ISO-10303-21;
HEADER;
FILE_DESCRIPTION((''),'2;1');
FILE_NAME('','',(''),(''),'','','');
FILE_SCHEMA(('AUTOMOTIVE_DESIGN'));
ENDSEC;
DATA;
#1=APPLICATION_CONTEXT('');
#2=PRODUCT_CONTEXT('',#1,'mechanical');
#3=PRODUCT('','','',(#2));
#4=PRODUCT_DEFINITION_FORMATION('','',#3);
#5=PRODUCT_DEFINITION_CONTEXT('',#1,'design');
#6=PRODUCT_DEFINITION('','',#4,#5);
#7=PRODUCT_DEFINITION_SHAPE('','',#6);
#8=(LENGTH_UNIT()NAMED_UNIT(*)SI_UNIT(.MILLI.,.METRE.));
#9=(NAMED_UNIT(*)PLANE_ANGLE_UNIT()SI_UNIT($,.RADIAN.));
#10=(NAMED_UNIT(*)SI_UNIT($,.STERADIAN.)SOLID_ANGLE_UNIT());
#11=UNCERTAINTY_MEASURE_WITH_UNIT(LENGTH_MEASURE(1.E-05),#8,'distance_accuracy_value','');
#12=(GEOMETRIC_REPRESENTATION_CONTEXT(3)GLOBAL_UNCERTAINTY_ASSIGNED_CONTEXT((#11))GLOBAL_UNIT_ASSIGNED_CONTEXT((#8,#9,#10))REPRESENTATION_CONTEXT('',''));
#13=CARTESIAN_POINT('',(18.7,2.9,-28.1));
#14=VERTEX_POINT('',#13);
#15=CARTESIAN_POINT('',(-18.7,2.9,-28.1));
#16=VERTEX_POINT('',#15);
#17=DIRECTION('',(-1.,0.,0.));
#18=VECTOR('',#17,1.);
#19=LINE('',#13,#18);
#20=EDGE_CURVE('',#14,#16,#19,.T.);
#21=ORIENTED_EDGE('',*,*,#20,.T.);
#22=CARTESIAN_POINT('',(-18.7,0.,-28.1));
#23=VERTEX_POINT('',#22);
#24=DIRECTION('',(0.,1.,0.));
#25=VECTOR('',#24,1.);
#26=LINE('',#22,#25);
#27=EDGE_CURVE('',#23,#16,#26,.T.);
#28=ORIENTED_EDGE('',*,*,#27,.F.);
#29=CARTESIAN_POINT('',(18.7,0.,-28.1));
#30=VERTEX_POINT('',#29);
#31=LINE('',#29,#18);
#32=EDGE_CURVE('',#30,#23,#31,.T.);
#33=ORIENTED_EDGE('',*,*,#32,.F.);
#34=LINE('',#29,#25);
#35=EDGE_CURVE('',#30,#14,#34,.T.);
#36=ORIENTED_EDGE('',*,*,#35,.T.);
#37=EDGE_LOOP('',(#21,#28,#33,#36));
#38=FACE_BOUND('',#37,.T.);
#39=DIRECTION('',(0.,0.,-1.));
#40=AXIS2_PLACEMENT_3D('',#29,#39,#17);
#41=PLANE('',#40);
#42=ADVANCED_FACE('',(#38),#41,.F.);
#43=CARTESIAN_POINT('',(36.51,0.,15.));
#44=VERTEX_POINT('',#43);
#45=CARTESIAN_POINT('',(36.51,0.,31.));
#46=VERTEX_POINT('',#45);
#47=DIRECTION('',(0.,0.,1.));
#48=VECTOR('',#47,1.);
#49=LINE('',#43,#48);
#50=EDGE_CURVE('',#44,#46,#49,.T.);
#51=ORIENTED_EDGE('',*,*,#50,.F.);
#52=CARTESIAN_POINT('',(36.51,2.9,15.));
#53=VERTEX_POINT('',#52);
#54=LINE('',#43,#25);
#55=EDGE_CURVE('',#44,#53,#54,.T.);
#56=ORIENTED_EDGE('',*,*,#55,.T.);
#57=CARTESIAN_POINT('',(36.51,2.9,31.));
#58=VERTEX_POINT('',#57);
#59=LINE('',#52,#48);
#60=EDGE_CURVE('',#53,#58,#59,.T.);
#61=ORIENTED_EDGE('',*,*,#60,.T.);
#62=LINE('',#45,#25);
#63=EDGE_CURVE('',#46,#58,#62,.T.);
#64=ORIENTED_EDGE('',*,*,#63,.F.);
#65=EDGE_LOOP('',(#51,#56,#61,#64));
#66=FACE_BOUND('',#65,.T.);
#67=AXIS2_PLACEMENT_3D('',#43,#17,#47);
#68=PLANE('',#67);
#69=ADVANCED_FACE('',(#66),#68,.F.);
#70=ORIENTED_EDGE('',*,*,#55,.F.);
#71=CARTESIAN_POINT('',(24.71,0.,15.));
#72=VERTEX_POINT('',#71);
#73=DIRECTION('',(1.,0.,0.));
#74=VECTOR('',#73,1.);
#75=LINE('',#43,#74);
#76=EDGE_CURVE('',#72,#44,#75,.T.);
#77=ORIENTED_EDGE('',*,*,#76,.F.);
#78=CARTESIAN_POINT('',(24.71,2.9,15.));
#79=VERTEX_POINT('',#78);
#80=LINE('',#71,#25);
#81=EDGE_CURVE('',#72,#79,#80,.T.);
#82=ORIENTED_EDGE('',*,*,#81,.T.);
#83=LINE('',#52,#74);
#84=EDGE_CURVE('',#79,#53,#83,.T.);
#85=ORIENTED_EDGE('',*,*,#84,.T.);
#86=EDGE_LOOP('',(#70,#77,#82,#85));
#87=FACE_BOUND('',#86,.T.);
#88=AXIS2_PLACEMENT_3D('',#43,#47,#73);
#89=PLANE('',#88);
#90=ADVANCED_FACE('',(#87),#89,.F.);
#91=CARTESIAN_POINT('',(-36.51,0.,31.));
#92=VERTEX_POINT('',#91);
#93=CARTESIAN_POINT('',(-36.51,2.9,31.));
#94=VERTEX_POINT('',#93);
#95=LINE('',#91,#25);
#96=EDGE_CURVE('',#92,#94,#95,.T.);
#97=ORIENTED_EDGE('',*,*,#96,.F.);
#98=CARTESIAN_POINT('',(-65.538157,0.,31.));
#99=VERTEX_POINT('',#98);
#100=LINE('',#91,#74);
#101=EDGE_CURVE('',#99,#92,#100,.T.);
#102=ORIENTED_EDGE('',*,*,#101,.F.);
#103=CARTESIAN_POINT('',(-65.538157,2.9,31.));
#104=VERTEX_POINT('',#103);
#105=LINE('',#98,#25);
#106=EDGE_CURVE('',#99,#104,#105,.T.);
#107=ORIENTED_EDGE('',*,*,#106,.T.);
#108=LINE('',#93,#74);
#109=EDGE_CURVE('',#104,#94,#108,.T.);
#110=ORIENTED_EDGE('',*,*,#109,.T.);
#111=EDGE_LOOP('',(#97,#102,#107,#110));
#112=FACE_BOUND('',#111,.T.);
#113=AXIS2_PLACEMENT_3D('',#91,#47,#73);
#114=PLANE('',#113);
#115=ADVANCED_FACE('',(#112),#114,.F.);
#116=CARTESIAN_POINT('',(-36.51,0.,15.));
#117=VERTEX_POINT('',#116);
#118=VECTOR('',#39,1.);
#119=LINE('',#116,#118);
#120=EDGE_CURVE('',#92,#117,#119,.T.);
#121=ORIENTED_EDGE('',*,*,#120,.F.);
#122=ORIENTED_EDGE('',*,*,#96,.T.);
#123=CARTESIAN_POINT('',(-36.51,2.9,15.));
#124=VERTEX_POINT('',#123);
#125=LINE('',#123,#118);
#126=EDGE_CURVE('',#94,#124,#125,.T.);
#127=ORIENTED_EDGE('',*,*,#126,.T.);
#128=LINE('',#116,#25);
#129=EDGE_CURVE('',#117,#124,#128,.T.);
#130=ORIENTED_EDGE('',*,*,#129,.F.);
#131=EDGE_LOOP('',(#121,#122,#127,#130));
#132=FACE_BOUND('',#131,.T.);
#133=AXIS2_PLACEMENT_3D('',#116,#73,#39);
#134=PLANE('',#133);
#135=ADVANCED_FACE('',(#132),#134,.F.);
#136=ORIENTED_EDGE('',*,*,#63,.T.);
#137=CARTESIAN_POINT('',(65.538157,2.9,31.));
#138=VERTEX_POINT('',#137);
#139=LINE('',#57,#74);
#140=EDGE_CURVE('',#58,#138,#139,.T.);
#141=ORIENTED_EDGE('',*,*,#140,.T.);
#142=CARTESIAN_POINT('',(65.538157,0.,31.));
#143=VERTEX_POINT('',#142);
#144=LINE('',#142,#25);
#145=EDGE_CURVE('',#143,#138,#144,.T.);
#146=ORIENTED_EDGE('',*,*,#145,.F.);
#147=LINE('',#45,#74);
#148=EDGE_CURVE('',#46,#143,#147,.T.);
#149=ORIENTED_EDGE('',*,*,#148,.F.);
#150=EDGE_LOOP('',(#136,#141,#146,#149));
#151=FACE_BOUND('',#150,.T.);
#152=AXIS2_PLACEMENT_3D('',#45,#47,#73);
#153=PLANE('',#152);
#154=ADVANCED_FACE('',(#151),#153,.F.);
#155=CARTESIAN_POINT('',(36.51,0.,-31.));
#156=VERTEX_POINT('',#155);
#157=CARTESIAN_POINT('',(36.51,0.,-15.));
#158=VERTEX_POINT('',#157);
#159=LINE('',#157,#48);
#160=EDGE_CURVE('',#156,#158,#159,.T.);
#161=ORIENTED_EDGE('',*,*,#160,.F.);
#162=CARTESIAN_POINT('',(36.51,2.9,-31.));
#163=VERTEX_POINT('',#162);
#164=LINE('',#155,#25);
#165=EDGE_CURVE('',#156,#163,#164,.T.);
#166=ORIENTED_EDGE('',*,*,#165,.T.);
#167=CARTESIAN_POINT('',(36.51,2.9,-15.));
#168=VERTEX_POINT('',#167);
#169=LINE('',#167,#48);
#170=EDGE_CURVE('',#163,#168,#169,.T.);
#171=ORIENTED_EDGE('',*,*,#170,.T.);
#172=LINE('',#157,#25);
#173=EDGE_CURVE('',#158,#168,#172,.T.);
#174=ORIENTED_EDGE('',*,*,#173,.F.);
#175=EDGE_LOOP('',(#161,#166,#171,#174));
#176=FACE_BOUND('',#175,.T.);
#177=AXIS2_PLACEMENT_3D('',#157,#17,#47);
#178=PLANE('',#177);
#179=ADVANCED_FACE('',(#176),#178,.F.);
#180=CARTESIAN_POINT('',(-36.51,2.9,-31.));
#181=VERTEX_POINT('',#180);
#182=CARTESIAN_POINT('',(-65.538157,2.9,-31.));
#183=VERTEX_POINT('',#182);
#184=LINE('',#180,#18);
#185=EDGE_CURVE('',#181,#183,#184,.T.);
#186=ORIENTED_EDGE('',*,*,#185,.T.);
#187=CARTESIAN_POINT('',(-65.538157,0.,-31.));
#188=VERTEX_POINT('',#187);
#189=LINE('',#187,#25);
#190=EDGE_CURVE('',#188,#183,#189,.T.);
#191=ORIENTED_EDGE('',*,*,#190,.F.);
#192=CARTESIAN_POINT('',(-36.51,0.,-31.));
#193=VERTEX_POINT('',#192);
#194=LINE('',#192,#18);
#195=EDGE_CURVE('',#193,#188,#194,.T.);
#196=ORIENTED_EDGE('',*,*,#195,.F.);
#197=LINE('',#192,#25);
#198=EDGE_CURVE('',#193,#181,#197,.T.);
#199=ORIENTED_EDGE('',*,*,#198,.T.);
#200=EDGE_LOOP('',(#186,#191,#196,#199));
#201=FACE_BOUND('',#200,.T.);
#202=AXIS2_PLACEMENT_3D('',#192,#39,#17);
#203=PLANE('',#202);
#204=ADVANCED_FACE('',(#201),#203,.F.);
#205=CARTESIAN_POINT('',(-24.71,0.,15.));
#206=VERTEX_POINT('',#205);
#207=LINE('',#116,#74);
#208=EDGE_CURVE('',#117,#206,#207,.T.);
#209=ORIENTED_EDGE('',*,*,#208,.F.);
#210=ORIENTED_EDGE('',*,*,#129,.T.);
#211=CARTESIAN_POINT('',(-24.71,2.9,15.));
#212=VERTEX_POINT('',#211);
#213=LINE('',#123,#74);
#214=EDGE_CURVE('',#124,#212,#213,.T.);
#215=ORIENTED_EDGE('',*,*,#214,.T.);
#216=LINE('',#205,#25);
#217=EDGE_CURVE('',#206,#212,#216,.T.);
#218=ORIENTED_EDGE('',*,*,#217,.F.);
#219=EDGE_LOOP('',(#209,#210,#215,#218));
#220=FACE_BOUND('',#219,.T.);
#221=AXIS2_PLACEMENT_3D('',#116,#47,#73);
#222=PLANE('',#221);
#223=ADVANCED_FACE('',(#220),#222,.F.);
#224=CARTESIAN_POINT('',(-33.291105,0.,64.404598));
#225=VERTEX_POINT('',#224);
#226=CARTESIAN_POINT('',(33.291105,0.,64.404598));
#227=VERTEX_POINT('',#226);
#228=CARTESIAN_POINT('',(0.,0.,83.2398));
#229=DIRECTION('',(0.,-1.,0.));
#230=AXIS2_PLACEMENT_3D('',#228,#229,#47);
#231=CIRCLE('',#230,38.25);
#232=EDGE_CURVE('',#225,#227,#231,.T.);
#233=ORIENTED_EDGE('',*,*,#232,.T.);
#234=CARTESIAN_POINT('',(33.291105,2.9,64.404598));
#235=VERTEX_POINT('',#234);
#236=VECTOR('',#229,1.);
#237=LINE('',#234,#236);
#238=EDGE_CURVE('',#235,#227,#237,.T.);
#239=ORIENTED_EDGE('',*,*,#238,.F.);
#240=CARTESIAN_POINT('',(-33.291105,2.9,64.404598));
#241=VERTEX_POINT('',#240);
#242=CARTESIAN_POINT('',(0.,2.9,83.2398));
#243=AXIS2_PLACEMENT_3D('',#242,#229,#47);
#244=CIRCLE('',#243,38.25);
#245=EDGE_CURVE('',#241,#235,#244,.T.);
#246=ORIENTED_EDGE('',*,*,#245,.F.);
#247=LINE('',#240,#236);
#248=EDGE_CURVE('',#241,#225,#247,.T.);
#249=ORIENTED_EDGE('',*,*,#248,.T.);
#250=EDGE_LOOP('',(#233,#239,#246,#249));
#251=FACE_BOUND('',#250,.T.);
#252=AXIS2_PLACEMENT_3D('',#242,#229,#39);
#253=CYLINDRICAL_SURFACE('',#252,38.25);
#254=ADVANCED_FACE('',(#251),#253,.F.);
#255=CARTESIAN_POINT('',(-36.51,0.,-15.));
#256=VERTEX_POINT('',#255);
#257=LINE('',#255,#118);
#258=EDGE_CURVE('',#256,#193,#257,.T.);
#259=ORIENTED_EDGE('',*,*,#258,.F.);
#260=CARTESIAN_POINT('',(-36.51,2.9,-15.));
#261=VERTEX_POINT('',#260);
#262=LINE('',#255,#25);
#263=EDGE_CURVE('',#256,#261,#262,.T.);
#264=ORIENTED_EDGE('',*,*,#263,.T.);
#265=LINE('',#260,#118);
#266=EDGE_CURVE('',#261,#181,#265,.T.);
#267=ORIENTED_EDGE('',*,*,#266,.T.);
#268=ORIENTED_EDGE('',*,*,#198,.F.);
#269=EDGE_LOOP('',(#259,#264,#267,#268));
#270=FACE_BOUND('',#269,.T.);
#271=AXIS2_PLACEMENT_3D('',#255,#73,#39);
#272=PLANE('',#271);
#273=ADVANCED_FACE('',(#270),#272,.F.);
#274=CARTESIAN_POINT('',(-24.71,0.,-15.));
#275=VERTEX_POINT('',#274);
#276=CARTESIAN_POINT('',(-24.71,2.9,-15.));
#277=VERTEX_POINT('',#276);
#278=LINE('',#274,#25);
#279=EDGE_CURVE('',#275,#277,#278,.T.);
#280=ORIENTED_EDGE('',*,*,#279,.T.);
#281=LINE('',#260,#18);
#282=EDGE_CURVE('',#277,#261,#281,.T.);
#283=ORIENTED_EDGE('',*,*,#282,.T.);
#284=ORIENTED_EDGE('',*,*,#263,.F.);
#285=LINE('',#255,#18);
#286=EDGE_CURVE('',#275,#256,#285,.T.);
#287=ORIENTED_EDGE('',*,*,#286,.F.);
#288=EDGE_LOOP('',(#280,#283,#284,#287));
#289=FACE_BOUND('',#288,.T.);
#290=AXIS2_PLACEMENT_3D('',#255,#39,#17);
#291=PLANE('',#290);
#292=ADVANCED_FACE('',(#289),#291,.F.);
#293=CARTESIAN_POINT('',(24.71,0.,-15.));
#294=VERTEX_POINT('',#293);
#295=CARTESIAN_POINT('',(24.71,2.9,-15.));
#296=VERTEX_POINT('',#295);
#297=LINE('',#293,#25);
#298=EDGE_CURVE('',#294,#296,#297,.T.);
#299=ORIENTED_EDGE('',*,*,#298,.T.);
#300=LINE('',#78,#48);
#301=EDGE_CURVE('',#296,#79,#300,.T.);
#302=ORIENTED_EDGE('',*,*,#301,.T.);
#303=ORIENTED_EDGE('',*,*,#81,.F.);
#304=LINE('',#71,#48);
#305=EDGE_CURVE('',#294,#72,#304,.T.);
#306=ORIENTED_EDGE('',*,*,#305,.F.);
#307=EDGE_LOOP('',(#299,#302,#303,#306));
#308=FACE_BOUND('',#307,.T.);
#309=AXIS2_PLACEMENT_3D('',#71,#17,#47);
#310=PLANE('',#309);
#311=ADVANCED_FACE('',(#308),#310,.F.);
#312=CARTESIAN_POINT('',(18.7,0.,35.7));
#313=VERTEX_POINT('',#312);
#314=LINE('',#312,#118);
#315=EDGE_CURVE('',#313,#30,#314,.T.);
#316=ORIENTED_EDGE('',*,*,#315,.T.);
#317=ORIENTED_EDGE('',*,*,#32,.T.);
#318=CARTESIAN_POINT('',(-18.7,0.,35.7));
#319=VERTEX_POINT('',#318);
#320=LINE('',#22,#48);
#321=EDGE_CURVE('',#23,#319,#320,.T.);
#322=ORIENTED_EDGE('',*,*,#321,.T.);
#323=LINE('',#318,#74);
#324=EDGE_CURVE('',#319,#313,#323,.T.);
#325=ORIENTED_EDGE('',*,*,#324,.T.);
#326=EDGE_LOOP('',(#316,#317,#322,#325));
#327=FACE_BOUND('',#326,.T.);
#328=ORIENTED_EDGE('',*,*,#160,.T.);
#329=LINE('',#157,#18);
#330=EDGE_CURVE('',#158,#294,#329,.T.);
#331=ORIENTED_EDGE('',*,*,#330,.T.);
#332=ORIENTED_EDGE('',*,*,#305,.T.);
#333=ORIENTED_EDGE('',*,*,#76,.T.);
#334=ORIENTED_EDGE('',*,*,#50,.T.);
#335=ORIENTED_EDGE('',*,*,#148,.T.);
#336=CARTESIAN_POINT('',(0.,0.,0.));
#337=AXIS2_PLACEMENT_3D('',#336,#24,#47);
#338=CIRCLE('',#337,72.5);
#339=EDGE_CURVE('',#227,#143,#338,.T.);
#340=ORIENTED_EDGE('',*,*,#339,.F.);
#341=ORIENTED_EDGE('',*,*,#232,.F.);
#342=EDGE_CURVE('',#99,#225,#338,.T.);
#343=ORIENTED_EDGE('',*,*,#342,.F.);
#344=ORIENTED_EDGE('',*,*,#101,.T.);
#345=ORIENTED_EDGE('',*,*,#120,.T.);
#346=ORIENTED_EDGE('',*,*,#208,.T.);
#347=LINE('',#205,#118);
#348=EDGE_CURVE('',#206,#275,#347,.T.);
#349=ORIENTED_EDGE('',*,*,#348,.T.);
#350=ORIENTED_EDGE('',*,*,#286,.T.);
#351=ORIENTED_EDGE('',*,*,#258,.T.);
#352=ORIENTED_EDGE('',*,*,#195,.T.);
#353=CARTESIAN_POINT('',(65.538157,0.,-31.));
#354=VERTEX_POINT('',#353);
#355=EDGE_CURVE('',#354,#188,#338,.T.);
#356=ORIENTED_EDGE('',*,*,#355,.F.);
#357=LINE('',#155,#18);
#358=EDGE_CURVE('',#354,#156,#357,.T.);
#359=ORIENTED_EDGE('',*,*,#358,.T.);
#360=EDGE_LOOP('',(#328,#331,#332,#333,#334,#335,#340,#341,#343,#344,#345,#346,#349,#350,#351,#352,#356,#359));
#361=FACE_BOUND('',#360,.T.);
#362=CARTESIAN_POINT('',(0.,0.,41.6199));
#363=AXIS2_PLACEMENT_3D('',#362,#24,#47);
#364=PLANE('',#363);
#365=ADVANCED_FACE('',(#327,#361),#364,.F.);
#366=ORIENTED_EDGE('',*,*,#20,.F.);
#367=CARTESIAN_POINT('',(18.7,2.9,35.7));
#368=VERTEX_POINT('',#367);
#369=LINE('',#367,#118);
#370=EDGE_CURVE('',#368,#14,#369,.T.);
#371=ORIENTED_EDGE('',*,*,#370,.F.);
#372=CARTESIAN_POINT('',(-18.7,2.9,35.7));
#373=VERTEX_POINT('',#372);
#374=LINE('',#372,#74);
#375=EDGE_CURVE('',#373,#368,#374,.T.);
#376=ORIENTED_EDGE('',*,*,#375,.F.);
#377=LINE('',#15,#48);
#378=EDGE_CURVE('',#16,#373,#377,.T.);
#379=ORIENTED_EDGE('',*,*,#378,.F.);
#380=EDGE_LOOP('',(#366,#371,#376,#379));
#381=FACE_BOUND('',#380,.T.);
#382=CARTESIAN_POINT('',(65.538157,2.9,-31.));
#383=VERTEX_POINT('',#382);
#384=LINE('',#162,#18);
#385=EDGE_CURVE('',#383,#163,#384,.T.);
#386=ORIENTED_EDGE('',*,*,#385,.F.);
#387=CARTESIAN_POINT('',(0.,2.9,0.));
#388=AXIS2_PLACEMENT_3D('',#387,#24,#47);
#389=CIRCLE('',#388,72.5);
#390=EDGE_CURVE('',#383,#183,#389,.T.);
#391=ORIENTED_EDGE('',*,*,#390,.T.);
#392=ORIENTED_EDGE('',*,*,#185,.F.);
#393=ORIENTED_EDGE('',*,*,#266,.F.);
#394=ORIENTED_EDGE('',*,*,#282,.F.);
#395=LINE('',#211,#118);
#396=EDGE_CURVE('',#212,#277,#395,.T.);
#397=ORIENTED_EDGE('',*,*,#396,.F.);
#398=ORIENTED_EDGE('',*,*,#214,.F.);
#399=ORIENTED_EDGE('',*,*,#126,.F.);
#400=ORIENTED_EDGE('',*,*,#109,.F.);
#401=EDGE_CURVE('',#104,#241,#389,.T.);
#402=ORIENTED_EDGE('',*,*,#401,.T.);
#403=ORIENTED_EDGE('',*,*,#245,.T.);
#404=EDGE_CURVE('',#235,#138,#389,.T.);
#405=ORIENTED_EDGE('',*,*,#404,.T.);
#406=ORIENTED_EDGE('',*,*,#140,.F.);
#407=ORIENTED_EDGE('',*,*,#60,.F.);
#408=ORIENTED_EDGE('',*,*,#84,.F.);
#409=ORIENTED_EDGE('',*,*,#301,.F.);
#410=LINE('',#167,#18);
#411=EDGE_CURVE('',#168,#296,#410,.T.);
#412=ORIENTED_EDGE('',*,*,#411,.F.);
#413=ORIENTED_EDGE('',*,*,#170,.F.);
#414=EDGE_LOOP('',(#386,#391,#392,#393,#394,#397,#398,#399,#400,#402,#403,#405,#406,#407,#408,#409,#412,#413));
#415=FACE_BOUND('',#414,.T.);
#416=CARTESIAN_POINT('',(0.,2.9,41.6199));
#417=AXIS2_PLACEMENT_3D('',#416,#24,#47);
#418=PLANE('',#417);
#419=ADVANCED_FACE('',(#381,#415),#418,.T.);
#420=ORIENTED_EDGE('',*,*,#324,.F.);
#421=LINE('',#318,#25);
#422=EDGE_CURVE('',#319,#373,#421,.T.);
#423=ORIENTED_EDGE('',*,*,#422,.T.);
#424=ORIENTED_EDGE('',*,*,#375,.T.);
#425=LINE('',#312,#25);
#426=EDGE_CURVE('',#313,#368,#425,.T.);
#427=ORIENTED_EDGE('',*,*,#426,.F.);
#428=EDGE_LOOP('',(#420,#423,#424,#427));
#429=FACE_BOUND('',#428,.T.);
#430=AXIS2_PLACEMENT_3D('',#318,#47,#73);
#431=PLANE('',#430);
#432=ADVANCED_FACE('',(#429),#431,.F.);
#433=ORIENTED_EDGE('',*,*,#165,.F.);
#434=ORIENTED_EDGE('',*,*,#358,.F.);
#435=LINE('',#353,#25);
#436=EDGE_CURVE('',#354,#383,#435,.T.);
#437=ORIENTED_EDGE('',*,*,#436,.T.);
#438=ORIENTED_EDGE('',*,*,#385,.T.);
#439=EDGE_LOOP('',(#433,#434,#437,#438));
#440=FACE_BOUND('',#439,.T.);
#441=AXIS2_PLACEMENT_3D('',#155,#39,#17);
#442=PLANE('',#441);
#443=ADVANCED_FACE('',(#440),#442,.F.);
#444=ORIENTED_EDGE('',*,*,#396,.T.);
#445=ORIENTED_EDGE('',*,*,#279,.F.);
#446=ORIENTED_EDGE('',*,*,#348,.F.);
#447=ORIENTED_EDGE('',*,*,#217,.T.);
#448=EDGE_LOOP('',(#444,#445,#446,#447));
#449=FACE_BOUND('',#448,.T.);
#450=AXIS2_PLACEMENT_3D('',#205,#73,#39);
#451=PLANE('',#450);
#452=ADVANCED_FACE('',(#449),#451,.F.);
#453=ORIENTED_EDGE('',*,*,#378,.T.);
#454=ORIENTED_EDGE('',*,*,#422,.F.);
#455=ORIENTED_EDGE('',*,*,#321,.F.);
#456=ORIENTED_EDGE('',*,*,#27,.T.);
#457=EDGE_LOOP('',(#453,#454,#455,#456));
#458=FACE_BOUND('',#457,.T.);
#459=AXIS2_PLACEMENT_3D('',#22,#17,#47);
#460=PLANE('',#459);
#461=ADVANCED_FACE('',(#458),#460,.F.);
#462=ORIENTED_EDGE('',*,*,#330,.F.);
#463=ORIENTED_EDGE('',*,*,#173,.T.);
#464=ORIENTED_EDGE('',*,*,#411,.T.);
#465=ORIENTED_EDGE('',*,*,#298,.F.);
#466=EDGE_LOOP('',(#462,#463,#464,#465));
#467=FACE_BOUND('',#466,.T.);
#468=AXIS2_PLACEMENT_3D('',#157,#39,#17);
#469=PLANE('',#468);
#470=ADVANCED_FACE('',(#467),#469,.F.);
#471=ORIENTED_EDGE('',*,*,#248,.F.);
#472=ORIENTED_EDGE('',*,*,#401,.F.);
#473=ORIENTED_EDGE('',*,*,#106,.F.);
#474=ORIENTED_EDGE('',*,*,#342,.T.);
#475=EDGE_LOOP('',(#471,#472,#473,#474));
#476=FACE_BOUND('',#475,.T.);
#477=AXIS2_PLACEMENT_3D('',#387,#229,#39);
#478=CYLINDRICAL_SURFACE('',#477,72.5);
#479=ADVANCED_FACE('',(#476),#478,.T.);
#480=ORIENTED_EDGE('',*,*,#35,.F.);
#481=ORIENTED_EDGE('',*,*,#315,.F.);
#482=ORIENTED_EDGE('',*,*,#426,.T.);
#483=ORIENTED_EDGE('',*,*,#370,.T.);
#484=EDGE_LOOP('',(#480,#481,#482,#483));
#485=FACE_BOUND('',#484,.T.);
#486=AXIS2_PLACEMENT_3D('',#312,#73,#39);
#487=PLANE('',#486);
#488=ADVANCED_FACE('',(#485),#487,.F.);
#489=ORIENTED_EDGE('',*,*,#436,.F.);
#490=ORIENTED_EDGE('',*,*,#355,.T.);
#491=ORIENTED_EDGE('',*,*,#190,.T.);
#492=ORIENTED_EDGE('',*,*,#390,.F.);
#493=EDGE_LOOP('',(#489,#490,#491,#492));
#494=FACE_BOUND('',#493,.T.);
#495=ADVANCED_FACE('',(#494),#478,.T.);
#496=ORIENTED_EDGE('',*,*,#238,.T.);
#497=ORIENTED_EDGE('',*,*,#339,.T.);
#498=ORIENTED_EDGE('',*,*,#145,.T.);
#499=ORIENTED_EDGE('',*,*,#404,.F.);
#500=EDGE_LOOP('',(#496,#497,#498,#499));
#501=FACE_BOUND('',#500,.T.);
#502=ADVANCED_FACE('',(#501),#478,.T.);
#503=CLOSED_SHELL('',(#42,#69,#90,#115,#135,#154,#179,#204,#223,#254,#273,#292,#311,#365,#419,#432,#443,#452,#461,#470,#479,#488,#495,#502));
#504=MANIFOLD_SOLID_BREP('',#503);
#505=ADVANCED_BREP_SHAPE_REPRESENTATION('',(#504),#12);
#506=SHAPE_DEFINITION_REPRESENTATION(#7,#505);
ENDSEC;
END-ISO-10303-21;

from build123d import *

# Parameters (mm, degrees)
BOSS_EXTRUDE1_DEPTH  = 2.9
SOLENOID_PLACEMENT_W = 37.4
SOLENOID_PLACEMENT_H = 63.8
CUT_EXTRUDE1_DEPTH   = 103.571487266
CUT_EXTRUDE2_DEPTH   = 103.571487266


with BuildPart() as part:
    # Sketch1 → Boss-Extrude1 (new body)
    with BuildSketch(Plane(origin=(0, 0, 0), x_dir=(1, 0, 0), z_dir=(0, 1, 0))):
        with BuildLine():
            ThreePointArc((33.29110537, -64.404598464), (0, 72.5), (-33.29110537, -64.404598464))
            ThreePointArc((-33.29110537, -64.404598464), (0, -44.989799638), (33.29110537, -64.404598464))
        make_face()
    extrude(amount=BOSS_EXTRUDE1_DEPTH)

    # solenoid placement → Cut-Extrude1 (cut, through all)
    with BuildSketch(Plane(origin=(0, 2.9, 0), x_dir=(1, 0, 0), z_dir=(0, 1, 0))):
        with Locations((0, -3.8)):
            Rectangle(SOLENOID_PLACEMENT_W, SOLENOID_PLACEMENT_H)
    extrude(amount=-CUT_EXTRUDE1_DEPTH, mode=Mode.SUBTRACT)

    # Sketch2 → Cut-Extrude2 (cut, through all)
    with BuildSketch(Plane(origin=(0, 2.9, 0), x_dir=(1, 0, 0), z_dir=(0, 1, 0))):
        with BuildLine():
            Line((-36.51, -15), (-24.71, -15))
            Line((-24.71, -15), (-24.71, 15))
            Line((-24.71, 15), (-36.51, 15))
            Line((-36.51, 15), (-36.51, 31))
            Line((-36.51, 31), (-65.538156825, 31))
            ThreePointArc((-65.538156825, 31), (-72.5, 0), (-65.538156825, -31))
            Line((-65.538156825, -31), (-36.51, -31))
            Line((-36.51, -31), (-36.51, -15))
        make_face()
        with BuildLine():
            Line((36.51, -31), (65.538156825, -31))
            ThreePointArc((65.538156825, -31), (72.5, 0), (65.538156825, 31))
            Line((65.538156825, 31), (36.51, 31))
            Line((36.51, 31), (36.51, 15))
            Line((36.51, 15), (24.71, 15))
            Line((24.71, 15), (24.71, -15))
            Line((24.71, -15), (36.51, -15))
            Line((36.51, -15), (36.51, -31))
        make_face()
    extrude(amount=-CUT_EXTRUDE2_DEPTH, mode=Mode.SUBTRACT)


solid = part.part
